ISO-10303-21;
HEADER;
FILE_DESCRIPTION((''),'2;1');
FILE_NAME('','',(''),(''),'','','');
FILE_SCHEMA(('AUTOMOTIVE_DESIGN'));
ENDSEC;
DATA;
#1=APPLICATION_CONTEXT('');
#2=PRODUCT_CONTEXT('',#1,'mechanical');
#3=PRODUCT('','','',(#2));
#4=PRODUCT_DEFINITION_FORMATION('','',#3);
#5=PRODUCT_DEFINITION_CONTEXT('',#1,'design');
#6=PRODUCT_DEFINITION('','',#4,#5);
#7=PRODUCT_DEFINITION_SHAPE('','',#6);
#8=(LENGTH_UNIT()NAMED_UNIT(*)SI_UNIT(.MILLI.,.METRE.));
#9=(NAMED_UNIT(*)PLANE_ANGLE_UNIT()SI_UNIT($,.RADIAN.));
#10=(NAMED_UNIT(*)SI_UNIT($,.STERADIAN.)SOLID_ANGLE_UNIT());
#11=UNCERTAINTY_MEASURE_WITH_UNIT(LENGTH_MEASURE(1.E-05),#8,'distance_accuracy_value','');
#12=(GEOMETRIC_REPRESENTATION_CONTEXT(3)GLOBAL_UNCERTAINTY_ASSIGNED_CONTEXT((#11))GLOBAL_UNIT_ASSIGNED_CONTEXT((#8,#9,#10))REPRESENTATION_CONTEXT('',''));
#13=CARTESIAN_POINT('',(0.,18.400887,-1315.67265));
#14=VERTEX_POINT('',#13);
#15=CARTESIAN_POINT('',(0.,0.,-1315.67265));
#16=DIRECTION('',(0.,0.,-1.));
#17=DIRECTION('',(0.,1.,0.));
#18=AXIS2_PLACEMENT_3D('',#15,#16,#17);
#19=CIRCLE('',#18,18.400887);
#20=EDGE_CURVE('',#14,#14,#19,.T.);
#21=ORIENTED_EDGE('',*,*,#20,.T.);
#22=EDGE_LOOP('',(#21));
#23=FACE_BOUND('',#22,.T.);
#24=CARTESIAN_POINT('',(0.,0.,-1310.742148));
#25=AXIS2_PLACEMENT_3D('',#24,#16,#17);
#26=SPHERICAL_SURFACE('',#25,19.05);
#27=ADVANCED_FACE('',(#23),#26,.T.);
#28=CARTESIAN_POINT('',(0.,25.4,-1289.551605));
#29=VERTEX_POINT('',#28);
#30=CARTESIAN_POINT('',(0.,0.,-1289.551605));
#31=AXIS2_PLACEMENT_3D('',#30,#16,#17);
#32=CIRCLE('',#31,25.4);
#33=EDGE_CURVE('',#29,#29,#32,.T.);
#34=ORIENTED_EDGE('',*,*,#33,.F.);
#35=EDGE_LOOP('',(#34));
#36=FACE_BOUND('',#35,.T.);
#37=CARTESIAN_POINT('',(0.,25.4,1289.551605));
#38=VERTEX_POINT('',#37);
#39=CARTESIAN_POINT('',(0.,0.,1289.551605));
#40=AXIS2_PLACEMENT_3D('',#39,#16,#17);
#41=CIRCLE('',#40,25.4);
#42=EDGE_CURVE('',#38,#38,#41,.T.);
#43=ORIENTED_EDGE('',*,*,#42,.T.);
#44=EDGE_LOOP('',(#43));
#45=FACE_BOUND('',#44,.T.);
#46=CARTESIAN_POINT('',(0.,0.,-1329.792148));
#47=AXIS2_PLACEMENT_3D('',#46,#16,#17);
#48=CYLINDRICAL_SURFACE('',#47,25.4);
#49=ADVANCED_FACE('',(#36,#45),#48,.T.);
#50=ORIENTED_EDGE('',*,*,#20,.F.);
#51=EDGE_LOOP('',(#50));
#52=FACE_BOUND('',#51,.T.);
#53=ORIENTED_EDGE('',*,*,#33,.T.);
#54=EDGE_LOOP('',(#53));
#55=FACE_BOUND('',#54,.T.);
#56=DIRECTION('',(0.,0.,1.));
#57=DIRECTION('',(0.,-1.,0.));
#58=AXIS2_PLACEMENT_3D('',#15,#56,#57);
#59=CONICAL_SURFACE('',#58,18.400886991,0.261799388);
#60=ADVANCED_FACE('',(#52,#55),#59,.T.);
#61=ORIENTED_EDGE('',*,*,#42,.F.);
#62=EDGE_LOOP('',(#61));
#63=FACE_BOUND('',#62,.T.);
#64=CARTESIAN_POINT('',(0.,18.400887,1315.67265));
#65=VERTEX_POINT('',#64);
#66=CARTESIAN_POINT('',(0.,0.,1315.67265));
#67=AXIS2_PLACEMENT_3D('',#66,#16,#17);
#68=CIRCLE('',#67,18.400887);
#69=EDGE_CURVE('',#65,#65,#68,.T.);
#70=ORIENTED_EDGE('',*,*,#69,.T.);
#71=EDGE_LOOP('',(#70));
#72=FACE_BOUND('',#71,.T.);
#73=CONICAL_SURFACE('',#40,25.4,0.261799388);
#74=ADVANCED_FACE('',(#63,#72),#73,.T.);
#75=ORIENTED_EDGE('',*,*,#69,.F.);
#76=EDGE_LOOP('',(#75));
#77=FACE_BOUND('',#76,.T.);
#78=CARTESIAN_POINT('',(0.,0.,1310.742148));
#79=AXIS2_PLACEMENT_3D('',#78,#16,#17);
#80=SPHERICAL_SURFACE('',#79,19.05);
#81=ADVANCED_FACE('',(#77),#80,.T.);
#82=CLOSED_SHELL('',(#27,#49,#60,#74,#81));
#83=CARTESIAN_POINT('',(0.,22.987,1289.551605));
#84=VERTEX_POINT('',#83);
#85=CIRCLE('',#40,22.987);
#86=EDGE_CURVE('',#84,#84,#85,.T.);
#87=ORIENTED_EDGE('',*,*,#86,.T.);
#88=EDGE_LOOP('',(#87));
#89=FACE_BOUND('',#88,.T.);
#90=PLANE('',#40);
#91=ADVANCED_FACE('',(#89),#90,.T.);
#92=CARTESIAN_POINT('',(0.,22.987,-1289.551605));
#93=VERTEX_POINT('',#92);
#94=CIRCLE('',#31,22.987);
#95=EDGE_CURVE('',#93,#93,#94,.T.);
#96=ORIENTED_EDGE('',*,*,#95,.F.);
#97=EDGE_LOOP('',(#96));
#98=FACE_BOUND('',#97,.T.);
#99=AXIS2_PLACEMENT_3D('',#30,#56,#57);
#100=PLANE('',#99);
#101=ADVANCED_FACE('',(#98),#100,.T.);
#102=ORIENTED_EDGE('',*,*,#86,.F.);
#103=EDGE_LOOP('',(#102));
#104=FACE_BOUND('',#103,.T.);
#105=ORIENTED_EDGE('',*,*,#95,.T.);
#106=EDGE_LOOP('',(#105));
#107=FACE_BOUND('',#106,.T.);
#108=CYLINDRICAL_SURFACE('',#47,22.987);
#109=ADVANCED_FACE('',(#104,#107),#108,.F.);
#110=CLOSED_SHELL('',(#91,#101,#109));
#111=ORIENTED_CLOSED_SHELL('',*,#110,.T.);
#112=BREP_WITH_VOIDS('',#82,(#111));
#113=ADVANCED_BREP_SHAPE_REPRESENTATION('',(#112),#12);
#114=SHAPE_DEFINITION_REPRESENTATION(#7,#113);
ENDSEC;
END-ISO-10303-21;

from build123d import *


with BuildPart() as part:
    # Sketch2 → Revolve1 (revolve)
    with BuildSketch(Plane(origin=(0, 0, 0), x_dir=(0, 0, -1), z_dir=(1, 0, 0))):
        with BuildLine():
            Line((1289.551605118, 25.4), (1315.672650476, 18.400886991))
            ThreePointArc((1315.672650476, 18.400886991), (1325.855528799, 11.596905223), (1329.792147667, 0))
            Line((1329.792147667, 0), (1289.551605118, 0))
            Line((1289.551605118, 0), (1289.551605118, 22.987))
            Line((1289.551605118, 22.987), (0, 22.987))
            Line((0, 22.987), (-1289.551605118, 22.987))
            Line((-1289.551605118, 22.987), (-1289.551605118, 0))
            Line((-1289.551605118, 0), (-1329.792147667, 0))
            ThreePointArc((-1329.792147667, 0), (-1325.855528799, 11.596905223), (-1315.672650476, 18.400886991))
            Line((-1315.672650476, 18.400886991), (-1289.551605118, 25.4))
            Line((-1289.551605118, 25.4), (1289.551605118, 25.4))
        make_face()
    revolve(axis=Axis((0, 0, -1329.792147667), (0, 0, 1)))


solid = part.part
